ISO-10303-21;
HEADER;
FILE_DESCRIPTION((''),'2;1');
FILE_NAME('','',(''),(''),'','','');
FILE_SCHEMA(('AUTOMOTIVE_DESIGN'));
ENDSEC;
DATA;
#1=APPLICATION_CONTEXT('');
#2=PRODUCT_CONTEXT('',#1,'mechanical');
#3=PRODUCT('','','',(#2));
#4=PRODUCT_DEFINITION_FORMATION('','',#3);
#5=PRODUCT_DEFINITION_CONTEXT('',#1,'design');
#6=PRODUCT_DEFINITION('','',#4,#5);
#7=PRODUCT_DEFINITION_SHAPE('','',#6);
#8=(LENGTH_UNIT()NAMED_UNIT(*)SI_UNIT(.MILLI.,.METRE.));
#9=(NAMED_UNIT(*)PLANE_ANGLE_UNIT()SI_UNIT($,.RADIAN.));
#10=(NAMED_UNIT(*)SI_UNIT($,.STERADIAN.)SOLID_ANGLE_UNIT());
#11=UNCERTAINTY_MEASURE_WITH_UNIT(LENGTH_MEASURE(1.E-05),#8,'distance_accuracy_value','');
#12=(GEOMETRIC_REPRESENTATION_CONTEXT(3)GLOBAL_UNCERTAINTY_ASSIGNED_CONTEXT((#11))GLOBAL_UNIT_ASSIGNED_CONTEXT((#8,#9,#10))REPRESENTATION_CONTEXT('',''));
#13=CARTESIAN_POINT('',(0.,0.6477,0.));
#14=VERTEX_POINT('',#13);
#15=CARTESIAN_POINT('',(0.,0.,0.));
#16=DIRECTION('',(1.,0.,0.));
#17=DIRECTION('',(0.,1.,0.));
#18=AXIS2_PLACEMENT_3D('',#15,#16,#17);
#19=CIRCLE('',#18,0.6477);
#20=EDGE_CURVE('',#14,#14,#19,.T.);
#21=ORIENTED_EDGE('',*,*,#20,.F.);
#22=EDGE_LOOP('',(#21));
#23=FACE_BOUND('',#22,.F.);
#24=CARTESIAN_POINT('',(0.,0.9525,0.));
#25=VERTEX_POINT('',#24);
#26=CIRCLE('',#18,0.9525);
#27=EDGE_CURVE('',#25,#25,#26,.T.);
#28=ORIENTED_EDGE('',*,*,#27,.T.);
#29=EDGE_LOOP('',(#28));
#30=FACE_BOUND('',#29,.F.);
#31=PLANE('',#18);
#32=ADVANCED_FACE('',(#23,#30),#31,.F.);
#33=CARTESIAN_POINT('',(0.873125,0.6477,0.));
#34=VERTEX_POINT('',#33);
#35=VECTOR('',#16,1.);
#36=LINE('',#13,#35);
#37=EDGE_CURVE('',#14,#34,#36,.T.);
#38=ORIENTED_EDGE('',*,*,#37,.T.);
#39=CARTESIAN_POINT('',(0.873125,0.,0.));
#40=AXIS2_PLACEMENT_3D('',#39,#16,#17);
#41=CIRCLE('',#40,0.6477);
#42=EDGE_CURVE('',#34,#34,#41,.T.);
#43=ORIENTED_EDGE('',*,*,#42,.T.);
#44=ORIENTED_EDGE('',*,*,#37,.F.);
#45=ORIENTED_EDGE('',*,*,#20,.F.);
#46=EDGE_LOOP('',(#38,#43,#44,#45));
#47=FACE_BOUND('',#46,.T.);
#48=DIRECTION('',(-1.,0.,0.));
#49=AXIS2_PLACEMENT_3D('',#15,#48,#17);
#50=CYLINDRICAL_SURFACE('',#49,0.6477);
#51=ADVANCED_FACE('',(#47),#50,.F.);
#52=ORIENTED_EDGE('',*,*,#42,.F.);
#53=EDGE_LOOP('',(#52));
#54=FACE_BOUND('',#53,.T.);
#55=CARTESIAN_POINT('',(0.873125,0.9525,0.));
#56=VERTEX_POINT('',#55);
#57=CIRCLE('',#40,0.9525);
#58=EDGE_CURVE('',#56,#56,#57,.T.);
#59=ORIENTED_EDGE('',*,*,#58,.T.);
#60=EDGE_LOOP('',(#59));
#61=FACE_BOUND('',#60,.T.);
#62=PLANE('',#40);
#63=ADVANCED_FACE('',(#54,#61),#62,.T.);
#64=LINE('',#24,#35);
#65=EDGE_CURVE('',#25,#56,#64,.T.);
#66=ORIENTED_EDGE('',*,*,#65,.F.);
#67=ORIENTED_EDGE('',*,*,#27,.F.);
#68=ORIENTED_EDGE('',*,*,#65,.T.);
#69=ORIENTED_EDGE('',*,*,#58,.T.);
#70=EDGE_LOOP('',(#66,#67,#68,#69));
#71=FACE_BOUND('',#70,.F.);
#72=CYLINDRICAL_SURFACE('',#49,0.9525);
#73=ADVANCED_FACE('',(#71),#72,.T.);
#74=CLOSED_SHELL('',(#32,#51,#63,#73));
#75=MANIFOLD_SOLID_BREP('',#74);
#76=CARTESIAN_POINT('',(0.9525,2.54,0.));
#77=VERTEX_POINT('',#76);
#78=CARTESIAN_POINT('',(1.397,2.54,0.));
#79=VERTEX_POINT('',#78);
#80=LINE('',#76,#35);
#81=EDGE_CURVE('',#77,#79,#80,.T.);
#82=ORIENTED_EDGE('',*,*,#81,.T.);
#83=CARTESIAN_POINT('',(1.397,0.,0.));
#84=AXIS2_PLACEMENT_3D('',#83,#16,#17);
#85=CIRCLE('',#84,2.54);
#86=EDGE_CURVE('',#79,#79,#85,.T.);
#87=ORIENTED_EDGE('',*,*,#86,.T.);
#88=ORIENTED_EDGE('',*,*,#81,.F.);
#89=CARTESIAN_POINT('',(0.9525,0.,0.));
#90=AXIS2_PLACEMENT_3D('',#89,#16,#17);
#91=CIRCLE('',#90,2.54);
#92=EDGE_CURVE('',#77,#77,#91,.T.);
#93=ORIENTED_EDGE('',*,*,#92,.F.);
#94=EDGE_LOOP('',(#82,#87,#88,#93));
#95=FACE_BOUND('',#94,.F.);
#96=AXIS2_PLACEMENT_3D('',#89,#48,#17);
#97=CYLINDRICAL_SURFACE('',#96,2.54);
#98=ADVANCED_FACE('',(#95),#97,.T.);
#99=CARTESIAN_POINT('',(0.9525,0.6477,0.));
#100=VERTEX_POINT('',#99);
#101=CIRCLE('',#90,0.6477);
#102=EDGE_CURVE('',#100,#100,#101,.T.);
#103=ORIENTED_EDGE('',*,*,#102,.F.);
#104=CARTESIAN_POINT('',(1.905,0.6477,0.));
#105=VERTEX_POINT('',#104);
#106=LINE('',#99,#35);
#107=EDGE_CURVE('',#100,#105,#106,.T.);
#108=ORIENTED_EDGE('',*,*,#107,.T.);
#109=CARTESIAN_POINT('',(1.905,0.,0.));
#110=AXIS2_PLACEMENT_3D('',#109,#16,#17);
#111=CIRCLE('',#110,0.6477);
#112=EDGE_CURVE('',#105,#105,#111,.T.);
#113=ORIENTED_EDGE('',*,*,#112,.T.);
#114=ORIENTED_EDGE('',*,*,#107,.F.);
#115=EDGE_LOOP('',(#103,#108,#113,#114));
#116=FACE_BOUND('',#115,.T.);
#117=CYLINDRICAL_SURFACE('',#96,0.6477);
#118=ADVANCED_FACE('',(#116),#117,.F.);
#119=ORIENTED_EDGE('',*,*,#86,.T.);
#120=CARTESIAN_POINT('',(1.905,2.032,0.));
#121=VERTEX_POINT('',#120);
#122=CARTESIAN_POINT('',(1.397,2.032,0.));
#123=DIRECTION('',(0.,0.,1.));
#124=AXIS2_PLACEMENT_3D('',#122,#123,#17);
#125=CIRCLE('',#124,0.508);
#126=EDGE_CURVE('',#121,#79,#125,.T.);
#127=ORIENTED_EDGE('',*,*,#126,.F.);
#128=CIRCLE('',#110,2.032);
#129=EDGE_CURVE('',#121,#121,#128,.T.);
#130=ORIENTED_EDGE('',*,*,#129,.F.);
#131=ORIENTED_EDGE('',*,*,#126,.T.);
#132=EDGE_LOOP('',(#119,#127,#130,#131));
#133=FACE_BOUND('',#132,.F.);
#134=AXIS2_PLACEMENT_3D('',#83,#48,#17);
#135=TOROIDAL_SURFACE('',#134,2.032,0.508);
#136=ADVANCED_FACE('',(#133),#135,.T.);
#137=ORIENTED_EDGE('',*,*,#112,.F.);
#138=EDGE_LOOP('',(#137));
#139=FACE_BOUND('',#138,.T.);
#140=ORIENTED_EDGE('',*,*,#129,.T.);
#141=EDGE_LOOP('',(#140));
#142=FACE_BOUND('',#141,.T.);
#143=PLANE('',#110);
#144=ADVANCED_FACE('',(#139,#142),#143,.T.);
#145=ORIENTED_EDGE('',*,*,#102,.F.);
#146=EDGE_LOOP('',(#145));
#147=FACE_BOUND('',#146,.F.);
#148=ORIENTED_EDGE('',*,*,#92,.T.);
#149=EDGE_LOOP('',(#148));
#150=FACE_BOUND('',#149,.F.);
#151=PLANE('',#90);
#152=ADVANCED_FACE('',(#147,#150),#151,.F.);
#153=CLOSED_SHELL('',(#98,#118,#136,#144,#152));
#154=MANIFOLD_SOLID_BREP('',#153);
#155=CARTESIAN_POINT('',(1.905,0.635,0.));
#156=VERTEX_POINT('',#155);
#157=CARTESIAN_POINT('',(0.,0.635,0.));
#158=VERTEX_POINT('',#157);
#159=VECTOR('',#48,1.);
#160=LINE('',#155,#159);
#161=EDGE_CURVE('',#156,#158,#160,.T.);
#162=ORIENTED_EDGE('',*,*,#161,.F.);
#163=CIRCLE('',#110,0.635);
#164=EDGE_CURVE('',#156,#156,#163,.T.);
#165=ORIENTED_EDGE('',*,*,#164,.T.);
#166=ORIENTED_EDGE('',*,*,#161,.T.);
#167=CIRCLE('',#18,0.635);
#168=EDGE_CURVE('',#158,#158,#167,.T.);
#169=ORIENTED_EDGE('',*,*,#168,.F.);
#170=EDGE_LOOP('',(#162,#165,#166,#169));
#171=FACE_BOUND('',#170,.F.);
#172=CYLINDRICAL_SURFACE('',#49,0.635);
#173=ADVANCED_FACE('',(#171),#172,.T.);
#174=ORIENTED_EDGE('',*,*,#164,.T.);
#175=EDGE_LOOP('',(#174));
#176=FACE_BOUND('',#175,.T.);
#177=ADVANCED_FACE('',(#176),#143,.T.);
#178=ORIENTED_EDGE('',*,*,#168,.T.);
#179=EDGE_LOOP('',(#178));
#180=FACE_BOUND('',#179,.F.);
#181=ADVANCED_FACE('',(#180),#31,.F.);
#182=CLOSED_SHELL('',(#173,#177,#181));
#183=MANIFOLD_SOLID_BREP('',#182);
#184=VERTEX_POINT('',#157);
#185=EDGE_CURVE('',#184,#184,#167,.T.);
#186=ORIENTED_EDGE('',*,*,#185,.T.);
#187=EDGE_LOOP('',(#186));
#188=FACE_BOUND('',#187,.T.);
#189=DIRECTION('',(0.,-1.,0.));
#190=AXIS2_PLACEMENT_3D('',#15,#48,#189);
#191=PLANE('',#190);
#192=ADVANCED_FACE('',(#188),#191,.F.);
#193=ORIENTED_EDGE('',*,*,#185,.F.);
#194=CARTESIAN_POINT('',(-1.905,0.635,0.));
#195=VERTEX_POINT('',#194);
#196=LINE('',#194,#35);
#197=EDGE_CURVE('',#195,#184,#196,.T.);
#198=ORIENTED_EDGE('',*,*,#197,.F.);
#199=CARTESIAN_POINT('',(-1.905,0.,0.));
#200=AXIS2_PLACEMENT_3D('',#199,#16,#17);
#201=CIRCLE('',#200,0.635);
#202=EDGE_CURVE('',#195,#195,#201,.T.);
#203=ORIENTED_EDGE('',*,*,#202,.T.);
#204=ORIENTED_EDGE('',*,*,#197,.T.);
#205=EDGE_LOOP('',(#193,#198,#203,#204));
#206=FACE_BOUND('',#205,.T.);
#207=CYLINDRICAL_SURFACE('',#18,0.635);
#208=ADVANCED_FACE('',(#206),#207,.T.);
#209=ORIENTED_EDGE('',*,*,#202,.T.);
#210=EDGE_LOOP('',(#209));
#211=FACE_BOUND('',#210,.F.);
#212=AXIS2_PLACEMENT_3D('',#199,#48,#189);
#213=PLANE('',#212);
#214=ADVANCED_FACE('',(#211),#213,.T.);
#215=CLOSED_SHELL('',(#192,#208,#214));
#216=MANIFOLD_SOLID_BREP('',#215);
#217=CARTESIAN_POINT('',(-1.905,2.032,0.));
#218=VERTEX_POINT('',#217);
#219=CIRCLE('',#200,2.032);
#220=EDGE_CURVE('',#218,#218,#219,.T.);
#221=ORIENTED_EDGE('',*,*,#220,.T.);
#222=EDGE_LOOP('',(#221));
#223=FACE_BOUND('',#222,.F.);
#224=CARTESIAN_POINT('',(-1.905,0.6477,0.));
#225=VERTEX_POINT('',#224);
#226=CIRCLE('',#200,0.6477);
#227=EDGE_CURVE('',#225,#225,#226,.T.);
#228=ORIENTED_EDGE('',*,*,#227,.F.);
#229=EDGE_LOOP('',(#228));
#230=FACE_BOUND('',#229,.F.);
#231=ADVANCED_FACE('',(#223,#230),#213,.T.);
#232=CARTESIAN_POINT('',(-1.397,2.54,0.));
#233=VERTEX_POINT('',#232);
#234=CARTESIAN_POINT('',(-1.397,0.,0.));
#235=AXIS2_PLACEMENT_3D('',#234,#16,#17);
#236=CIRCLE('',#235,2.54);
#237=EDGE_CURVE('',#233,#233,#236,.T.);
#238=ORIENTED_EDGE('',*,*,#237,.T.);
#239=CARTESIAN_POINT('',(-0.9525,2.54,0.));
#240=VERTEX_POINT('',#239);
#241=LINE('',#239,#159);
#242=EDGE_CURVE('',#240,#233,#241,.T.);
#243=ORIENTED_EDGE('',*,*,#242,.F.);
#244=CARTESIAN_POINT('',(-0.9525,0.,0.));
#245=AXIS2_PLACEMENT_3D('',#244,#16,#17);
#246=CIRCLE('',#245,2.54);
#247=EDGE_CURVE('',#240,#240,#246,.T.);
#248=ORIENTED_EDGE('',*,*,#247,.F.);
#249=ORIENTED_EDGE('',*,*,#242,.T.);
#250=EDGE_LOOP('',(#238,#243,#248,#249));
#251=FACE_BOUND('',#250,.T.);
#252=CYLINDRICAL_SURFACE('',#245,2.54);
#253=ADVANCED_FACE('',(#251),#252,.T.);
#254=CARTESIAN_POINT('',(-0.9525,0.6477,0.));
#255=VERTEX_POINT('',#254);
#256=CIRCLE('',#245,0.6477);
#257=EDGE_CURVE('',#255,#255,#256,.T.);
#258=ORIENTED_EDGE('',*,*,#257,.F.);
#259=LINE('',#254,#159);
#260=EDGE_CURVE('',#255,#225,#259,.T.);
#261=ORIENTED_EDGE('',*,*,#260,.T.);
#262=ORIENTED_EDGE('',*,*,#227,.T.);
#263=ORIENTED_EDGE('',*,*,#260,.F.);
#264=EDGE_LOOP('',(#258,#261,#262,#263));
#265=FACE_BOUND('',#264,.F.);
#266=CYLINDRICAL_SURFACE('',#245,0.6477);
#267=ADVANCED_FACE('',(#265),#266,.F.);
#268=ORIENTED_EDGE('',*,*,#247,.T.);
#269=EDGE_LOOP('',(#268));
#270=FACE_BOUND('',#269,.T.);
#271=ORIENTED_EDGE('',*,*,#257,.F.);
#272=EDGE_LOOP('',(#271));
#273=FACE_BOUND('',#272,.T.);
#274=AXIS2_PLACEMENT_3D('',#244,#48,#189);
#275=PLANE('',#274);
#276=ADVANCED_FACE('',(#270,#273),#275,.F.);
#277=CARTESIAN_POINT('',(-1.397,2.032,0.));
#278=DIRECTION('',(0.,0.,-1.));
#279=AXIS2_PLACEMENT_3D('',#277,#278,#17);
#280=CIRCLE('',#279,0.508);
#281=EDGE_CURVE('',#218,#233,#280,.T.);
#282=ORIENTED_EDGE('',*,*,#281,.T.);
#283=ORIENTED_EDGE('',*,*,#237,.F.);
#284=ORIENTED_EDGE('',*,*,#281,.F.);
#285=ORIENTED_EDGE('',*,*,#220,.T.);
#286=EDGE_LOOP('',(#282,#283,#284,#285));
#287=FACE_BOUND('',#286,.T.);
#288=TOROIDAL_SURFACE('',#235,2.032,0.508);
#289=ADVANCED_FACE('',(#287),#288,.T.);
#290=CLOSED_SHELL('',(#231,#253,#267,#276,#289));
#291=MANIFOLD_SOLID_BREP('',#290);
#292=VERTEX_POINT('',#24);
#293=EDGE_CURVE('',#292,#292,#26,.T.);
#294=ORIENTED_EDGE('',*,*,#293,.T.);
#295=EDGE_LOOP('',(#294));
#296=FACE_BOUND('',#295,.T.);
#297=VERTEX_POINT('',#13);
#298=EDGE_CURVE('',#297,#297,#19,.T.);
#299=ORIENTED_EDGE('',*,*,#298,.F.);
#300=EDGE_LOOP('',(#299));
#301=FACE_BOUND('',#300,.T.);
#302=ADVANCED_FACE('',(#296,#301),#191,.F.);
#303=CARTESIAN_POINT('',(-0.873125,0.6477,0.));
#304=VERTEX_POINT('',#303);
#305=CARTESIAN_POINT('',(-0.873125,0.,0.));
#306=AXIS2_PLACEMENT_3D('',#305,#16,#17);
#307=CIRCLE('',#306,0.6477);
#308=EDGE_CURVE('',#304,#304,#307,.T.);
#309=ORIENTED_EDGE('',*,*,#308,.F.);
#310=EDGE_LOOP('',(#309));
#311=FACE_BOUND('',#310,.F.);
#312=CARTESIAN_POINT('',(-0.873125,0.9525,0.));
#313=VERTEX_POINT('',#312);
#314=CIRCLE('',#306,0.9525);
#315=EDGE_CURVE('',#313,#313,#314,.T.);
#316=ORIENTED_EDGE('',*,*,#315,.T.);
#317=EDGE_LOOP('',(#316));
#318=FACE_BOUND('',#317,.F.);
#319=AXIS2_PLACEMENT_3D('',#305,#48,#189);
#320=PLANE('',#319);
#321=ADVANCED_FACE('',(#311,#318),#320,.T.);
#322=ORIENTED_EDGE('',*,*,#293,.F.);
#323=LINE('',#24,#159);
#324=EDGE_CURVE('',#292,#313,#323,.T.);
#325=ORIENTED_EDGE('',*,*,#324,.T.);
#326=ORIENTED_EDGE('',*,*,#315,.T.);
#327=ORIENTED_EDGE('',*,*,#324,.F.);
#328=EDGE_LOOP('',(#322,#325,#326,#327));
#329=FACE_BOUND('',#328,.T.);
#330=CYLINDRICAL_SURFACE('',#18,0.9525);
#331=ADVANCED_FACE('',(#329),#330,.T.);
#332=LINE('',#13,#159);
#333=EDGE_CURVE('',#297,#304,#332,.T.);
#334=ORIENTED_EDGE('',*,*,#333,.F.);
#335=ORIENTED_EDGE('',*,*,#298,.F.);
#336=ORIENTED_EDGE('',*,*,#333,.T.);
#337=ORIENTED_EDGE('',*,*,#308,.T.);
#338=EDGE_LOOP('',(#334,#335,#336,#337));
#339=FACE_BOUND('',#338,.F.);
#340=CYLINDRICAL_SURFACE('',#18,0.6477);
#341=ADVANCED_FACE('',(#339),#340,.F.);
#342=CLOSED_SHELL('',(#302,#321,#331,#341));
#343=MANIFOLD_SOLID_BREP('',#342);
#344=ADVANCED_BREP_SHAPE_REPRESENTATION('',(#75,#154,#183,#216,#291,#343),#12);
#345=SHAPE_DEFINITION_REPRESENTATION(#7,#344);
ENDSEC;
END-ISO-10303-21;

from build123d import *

# Parameters (mm, degrees)
F0_R     = 2.54
F0_R_2   = 0.9525
F1_DEPTH = 0.9525
F0_R_3   = 0.635
F2_DEPTH = 0.9525
F0_R_4   = 0.6477
F4_DEPTH = 1.905
F5_DEPTH = 0.873125
F7_R     = 0.508
F7_2_R   = 0.508


with BuildPart() as f1:
    # F0 (on Right) → F1 (new body)
    with BuildSketch(Plane.YZ):
        Circle(F0_R)
        Circle(F0_R_2, mode=Mode.SUBTRACT)
    extrude(amount=F1_DEPTH)

    # F0 (on Right) → F2, piece 2 (join)
    with BuildSketch(Plane.YZ):
        Circle(F0_R_2)
        Circle(F0_R_4, mode=Mode.SUBTRACT)
    extrude(amount=F2_DEPTH)


with BuildPart() as f2:
    # F0 (on Right) → F2 (new body)
    with BuildSketch(Plane.YZ):
        Circle(F0_R_3)
    extrude(amount=F2_DEPTH)


with BuildPart() as f1_1:
    # F3: moved
    add(f1.part.moved(Location((0.9525, 0, 0))))


with BuildPart() as f2_1:
    # F3: moved
    add(f2.part.moved(Location((0.9525, 0, 0))))

    # F0 (on Right) → F4 (join)
    with BuildSketch(Plane.YZ):
        Circle(F0_R_3)
    extrude(amount=F4_DEPTH)


with BuildPart() as f5:
    # F0 (on Right) → F5 (new body)
    with BuildSketch(Plane.YZ):
        Circle(F0_R_2)
        Circle(F0_R_4, mode=Mode.SUBTRACT)
    extrude(amount=F5_DEPTH)


with BuildPart() as f6_1:
    # F6: instance of F1
    add(f1_1.part.mirror(Plane.YZ))

    # F7#2
    f7_2_edges = [f6_1.edges().sort_by_distance(p)[0] for p in [
        (-1.905, -2.54, 0),
    ]]
    fillet(f7_2_edges, radius=F7_2_R)


with BuildPart() as f6_2:
    # F6: instance of F2
    add(f2_1.part.mirror(Plane.YZ))


with BuildPart() as f6_3:
    # F6: instance of F5
    add(f5.part.mirror(Plane.YZ))


with BuildPart() as f1_2:
    add(f1_1.part)

    # F7
    f7_edges = [f1_2.edges().sort_by_distance(p)[0] for p in [
        (1.905, -2.54, 0),
    ]]
    fillet(f7_edges, radius=F7_R)


solid = Compound([f2_1.part, f5.part, f6_1.part, f6_2.part, f6_3.part, f1_2.part])
